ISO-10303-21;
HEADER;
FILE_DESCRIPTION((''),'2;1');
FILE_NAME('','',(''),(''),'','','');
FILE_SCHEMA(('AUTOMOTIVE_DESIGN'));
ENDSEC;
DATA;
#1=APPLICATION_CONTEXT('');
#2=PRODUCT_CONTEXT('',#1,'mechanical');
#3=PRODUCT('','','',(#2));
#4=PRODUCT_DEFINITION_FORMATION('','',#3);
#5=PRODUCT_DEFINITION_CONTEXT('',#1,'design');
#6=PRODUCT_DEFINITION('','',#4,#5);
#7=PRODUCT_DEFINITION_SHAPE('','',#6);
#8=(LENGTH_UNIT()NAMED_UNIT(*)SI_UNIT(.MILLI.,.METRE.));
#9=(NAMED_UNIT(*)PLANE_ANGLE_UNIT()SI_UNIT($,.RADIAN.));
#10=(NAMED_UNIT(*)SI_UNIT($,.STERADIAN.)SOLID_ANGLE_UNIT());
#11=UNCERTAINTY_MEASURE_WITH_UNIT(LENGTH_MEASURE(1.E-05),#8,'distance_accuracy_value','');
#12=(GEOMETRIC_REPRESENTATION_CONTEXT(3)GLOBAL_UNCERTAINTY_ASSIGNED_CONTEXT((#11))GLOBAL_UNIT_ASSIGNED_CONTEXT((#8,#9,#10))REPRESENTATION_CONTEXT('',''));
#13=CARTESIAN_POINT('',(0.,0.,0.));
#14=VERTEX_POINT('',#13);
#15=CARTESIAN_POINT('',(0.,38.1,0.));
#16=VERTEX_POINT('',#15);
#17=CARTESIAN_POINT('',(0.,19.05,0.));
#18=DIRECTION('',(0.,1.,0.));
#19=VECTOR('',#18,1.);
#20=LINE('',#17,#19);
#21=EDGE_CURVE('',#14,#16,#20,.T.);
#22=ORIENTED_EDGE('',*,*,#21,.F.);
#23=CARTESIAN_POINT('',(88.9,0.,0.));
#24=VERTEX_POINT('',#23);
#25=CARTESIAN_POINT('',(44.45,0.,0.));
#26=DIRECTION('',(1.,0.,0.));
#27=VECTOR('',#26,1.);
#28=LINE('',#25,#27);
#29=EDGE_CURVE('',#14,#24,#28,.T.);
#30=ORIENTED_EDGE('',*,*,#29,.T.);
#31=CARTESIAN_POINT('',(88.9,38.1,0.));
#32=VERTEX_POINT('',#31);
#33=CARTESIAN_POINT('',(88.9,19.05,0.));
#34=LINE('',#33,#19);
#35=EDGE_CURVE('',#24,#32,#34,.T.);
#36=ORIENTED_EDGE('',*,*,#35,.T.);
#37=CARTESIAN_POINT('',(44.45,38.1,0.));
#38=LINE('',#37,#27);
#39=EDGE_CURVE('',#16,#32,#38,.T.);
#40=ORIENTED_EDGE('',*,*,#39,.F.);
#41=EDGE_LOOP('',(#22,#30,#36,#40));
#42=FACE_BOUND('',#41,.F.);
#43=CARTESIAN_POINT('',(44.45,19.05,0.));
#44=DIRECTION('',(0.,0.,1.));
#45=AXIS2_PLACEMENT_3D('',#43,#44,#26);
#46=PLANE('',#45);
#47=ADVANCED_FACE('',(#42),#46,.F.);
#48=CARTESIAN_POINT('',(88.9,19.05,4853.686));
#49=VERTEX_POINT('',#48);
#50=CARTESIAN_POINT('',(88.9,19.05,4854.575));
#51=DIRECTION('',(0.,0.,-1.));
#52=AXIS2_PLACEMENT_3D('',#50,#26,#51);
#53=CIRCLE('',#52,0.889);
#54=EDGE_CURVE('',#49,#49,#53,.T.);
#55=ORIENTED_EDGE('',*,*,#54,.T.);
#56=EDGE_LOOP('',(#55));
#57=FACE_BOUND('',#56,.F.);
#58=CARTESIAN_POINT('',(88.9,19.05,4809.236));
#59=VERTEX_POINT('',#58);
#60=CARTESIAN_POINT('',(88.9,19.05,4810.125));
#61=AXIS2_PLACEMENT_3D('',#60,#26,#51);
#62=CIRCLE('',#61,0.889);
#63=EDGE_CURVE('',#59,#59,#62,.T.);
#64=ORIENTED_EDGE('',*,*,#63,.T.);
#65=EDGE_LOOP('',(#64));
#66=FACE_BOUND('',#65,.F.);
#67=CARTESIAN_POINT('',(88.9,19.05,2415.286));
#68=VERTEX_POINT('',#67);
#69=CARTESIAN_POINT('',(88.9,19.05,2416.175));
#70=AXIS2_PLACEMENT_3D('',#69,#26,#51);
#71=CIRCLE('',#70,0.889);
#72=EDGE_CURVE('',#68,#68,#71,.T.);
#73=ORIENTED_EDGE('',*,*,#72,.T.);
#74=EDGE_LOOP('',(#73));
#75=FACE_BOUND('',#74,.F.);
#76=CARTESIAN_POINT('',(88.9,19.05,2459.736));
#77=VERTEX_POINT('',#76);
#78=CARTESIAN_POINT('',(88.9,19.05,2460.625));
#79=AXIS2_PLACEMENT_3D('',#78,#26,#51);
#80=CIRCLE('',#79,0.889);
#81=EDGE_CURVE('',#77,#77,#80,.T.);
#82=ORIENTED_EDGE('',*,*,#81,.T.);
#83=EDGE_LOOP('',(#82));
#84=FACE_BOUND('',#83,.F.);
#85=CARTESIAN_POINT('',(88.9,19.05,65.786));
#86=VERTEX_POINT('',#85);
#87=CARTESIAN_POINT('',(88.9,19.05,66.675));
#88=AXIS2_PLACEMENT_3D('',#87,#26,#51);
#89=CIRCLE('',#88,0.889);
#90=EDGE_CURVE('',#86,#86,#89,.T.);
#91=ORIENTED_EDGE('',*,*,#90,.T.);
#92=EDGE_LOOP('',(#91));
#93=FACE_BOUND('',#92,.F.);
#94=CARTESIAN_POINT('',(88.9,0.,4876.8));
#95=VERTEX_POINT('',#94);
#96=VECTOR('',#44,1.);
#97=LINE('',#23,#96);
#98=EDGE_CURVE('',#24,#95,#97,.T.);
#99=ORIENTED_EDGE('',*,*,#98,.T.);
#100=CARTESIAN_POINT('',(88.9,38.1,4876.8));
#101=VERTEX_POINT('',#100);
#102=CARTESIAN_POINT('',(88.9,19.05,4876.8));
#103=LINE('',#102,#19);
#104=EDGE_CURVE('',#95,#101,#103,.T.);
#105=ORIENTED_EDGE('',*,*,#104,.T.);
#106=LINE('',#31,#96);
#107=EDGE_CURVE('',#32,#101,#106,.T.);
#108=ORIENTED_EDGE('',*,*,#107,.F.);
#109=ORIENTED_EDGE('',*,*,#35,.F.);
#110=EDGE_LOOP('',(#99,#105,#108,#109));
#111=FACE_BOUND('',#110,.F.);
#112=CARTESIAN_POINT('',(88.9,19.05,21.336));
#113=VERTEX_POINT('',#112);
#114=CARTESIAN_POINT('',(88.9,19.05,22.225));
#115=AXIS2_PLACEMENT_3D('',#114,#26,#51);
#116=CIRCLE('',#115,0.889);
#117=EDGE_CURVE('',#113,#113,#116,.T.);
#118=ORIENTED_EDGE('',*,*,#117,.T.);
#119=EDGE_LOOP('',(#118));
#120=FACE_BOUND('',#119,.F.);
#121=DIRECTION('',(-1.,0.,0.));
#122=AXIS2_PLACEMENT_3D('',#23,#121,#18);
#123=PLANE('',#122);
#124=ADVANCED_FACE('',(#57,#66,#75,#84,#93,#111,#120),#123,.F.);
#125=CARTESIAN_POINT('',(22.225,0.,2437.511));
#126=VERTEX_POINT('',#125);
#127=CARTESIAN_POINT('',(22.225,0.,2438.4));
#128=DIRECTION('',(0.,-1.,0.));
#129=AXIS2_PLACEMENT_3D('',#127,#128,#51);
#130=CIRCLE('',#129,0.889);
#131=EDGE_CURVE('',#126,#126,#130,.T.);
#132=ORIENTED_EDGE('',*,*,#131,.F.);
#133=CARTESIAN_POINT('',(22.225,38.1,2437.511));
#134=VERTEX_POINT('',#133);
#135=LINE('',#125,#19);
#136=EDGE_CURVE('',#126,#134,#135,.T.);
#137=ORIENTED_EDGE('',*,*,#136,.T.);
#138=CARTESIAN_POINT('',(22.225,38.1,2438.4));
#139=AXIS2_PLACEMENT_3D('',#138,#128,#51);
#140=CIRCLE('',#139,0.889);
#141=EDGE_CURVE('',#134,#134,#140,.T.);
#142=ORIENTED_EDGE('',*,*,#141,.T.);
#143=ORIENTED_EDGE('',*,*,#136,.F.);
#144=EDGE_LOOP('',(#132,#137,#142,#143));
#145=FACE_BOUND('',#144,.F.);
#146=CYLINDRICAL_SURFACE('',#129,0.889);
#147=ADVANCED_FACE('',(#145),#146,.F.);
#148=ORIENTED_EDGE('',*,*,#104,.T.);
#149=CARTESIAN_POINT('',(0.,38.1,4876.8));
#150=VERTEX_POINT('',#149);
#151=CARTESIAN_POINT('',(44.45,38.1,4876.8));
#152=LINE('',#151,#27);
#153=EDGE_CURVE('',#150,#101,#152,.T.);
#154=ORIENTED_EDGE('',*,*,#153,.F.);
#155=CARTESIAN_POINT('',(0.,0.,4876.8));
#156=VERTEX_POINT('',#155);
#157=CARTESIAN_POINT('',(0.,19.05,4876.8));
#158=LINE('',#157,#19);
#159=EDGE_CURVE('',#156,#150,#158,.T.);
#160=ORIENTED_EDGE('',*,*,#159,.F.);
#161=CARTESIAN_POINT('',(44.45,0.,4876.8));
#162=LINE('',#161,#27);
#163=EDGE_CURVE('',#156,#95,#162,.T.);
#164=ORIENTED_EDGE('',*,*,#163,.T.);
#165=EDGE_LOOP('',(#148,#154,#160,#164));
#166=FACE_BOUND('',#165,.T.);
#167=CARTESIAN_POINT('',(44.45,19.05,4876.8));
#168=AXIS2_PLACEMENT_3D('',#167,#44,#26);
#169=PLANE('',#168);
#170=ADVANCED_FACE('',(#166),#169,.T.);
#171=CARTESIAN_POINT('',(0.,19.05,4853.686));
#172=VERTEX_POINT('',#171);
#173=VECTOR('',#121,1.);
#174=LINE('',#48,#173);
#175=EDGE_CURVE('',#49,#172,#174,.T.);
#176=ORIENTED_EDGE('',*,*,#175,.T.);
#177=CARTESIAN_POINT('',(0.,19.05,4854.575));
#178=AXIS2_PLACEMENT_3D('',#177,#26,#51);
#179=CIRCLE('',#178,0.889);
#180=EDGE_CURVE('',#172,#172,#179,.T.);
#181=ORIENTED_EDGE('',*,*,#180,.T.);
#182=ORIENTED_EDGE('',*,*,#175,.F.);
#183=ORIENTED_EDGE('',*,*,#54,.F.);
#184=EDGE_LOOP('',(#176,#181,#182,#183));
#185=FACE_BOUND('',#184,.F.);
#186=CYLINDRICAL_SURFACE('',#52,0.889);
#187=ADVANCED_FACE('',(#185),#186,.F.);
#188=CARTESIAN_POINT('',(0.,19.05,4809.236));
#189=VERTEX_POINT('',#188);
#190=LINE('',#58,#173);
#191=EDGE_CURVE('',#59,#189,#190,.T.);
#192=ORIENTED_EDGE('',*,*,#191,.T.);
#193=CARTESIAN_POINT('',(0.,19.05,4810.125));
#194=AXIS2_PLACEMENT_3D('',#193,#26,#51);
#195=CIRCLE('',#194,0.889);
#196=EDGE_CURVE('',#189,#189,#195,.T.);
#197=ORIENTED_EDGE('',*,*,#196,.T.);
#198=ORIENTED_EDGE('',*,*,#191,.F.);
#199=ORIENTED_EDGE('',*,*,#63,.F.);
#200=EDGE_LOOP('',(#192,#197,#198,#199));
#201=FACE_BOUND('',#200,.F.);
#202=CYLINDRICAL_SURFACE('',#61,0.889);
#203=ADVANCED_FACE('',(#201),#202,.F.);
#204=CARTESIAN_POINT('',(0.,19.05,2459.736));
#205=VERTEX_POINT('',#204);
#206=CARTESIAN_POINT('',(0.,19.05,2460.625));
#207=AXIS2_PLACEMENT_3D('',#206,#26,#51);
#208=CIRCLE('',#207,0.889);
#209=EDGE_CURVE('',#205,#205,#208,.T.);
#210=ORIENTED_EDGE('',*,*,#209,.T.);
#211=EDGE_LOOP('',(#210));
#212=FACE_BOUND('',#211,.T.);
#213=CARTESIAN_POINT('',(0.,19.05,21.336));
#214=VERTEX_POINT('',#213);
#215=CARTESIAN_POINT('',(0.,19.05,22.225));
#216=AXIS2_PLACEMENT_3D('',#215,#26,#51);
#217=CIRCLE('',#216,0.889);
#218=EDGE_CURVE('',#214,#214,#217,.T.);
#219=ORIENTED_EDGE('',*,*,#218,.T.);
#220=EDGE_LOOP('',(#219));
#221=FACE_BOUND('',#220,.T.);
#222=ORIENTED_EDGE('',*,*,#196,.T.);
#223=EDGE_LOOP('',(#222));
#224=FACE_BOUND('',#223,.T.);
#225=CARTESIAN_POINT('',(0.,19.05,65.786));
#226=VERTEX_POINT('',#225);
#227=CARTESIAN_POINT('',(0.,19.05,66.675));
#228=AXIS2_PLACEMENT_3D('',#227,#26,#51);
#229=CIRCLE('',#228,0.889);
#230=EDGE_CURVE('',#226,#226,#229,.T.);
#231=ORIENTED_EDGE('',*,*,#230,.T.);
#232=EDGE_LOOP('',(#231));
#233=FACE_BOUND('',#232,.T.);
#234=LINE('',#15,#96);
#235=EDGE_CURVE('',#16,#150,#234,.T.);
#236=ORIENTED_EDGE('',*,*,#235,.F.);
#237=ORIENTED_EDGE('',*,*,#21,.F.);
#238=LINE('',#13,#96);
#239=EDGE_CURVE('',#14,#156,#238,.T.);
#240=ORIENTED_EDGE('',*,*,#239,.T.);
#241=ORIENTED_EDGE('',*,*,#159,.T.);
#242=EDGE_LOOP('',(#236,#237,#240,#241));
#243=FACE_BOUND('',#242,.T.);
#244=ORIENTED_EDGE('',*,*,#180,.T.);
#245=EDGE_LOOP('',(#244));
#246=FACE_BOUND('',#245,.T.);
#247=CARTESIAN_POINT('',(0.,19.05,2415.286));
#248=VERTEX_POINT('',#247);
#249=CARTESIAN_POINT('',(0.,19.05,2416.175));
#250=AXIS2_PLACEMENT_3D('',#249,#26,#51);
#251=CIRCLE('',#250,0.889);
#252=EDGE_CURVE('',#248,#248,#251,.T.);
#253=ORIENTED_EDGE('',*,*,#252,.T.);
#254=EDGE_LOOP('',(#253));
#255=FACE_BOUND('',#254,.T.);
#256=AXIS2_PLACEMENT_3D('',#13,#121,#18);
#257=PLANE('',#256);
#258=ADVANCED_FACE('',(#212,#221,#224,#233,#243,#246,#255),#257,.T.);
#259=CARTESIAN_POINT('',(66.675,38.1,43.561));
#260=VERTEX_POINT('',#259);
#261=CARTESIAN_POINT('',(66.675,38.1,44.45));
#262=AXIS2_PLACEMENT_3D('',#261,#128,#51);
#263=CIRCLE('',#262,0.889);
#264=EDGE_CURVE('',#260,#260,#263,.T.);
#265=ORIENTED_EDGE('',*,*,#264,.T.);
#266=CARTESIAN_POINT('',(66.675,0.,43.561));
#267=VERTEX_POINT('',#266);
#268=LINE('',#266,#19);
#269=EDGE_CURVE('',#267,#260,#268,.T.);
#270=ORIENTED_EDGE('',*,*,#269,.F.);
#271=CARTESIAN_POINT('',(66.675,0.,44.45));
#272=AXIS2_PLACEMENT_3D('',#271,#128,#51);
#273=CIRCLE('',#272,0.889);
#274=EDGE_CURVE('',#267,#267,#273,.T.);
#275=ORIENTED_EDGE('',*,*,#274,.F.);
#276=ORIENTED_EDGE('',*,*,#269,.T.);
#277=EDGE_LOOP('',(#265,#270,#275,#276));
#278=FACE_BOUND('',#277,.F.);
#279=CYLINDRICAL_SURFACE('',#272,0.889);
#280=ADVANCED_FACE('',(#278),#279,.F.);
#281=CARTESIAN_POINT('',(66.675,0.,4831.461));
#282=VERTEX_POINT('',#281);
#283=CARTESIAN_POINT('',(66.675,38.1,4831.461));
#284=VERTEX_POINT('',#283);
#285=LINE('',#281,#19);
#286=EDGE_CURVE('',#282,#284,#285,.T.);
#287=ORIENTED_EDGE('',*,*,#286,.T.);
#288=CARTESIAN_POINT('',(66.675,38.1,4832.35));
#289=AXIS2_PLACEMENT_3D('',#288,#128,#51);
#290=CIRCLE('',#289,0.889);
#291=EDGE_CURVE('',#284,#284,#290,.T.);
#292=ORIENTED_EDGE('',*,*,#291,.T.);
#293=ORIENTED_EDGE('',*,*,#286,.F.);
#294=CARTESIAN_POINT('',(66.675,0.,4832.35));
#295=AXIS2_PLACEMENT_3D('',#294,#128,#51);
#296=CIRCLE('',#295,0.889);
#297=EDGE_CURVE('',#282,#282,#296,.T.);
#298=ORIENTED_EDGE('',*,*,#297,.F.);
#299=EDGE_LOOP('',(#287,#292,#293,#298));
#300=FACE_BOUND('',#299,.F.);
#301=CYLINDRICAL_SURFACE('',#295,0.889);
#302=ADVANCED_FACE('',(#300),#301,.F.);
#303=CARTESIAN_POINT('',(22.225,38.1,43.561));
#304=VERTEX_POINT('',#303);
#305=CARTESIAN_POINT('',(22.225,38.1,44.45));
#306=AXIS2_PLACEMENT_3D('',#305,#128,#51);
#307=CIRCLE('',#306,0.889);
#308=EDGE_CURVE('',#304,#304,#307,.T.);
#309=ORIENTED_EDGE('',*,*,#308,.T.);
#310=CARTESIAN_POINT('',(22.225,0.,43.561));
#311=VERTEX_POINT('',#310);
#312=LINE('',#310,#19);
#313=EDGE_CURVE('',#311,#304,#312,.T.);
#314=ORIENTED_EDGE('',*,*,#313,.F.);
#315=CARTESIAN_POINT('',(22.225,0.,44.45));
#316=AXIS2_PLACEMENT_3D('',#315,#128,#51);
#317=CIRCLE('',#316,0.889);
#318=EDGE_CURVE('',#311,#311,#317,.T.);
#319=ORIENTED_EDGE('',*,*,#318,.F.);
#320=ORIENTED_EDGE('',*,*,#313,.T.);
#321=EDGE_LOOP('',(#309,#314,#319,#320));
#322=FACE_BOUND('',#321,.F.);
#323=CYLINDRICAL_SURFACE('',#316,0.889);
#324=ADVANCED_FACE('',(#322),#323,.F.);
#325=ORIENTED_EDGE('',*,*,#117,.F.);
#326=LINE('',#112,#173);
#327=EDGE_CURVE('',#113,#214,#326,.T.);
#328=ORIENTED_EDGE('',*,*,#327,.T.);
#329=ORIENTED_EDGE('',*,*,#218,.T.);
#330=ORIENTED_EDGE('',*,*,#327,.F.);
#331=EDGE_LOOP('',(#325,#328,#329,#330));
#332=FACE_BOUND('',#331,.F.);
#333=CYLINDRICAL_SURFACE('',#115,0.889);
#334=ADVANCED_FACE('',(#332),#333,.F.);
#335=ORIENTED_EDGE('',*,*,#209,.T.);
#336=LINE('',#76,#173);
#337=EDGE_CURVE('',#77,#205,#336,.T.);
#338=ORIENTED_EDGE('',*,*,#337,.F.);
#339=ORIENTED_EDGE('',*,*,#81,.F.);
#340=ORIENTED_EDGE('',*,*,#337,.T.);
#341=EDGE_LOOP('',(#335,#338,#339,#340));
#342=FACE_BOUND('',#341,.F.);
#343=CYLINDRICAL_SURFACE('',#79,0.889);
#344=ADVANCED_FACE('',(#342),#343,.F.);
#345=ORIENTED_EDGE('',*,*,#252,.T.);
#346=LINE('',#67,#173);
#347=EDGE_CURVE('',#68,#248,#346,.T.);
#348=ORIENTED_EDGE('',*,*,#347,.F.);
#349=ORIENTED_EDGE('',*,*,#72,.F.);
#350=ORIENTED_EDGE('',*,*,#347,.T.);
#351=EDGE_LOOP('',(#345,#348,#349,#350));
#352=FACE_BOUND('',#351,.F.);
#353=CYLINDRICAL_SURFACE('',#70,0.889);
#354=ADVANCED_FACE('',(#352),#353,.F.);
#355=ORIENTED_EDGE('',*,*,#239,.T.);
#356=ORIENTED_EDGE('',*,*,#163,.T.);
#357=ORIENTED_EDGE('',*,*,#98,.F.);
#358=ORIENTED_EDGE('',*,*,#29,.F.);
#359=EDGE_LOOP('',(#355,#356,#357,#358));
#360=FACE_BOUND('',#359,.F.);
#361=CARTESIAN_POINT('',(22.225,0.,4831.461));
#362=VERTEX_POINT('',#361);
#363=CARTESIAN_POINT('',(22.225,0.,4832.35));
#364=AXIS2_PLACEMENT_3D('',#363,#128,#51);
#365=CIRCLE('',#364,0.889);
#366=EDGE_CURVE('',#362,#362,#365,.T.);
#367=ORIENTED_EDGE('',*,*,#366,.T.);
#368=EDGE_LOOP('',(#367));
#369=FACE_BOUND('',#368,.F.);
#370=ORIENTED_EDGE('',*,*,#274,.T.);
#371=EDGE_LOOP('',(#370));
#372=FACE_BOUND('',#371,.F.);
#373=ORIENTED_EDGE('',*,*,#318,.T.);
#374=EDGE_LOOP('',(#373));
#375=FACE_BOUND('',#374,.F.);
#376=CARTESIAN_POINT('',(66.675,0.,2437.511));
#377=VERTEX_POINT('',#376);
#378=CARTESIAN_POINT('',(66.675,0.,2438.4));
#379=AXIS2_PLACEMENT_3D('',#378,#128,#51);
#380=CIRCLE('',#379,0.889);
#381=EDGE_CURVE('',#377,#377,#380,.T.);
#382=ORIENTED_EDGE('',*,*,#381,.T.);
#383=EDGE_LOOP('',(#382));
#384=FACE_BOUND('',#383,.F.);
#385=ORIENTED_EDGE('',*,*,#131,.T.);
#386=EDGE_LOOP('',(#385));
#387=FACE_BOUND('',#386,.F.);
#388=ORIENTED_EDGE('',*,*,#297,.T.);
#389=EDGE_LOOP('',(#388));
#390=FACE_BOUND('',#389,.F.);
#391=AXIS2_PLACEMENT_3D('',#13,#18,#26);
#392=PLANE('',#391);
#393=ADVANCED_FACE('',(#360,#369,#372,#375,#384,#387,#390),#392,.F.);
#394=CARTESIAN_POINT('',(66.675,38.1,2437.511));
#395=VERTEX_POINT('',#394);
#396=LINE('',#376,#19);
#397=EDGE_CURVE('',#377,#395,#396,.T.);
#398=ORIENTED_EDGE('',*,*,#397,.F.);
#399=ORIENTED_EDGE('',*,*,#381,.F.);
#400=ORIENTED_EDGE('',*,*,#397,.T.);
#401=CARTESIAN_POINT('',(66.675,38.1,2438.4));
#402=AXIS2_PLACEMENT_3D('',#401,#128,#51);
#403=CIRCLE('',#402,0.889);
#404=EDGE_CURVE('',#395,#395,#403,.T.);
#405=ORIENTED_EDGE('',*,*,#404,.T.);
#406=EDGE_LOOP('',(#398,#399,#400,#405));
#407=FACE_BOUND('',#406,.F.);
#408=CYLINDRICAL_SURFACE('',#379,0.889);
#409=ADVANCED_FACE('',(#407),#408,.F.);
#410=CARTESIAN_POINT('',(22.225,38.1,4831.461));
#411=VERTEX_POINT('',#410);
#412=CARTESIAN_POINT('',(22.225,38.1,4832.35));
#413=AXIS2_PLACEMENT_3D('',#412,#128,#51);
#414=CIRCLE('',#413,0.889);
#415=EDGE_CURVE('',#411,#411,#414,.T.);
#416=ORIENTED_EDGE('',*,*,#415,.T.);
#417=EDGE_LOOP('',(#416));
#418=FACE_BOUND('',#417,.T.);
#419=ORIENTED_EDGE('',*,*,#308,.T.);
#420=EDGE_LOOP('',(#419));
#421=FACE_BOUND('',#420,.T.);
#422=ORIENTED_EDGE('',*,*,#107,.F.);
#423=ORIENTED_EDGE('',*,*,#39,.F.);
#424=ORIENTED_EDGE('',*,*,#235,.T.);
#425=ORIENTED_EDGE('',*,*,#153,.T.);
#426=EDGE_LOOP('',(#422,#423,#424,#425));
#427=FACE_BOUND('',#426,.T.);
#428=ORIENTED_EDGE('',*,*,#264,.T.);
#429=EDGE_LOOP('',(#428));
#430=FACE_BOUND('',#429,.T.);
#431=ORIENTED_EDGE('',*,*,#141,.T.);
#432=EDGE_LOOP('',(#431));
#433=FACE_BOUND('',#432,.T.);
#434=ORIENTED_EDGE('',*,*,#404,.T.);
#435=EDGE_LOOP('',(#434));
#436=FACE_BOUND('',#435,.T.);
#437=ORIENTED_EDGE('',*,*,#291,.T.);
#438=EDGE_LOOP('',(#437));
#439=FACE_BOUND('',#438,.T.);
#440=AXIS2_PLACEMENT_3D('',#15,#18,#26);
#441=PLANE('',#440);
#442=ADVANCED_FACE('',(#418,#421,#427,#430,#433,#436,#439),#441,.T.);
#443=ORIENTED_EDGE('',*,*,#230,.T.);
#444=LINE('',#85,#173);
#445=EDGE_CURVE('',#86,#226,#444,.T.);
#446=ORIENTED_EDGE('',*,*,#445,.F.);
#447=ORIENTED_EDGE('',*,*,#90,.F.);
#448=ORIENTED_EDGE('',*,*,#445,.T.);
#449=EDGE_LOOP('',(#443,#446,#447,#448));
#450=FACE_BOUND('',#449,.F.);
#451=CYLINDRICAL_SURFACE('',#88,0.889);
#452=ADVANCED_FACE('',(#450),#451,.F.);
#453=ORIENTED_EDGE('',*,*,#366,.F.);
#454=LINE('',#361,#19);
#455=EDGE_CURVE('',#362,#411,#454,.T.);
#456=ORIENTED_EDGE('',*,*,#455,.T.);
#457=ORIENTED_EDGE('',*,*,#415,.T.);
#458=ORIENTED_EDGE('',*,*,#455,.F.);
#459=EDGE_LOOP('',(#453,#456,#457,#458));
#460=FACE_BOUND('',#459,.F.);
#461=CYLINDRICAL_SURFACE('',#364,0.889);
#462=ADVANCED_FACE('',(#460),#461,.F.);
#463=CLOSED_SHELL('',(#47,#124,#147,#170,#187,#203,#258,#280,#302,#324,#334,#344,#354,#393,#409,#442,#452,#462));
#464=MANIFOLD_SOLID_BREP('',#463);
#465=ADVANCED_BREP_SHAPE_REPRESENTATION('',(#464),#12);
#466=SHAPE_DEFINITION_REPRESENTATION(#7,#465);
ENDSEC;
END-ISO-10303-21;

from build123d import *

# Parameters (mm, degrees)
SKETCH1_W           = 88.9
SKETCH1_H           = 38.1
BOSS_EXTRUDE1_DEPTH = 4876.8
SKETCH3_R           = 0.889
CUT_EXTRUDE2_DEPTH  = 38.1
SKETCH5_R           = 0.889
CUT_EXTRUDE3_DEPTH  = 88.9


with BuildPart() as part:
    # Sketch1 → Boss-Extrude1 (new body)
    with BuildSketch(Plane.XY):
        with Locations((44.45, 19.05)):
            Rectangle(SKETCH1_W, SKETCH1_H)
    extrude(amount=BOSS_EXTRUDE1_DEPTH)

    # Sketch3 → Cut-Extrude2 (cut)
    with BuildSketch(Plane.XZ):
        with Locations(Location((66.675, 4832.35, 0), (0, 0, 270))):
            Circle(SKETCH3_R)
        with Locations(Location((22.225, 4832.35, 0), (0, 0, 270))):
            Circle(SKETCH3_R)
        with Locations(Location((22.225, 2438.4, 0), (0, 0, 270))):
            Circle(SKETCH3_R)
        with Locations(Location((66.675, 2438.4, 0), (0, 0, 270))):
            Circle(SKETCH3_R)
        with Locations(Location((66.675, 44.45, 0), (0, 0, 270))):
            Circle(SKETCH3_R)
        with Locations(Location((22.225, 44.45, 0), (0, 0, 270))):
            Circle(SKETCH3_R)
    extrude(amount=-CUT_EXTRUDE2_DEPTH, mode=Mode.SUBTRACT)

    # Sketch5 → Cut-Extrude3 (cut)
    with BuildSketch(Plane(origin=(88.9, 0, 0), x_dir=(0, 0, -1), z_dir=(1, 0, 0))):
        with Locations((-4854.575, 19.05)):
            Circle(SKETCH5_R)
        with Locations((-4810.125, 19.05)):
            Circle(SKETCH5_R)
        with Locations((-2460.625, 19.05)):
            Circle(SKETCH5_R)
        with Locations((-2416.175, 19.05)):
            Circle(SKETCH5_R)
        with Locations((-22.225, 19.05)):
            Circle(SKETCH5_R)
        with Locations((-66.675, 19.05)):
            Circle(SKETCH5_R)
    extrude(amount=-CUT_EXTRUDE3_DEPTH, mode=Mode.SUBTRACT)


solid = part.part
